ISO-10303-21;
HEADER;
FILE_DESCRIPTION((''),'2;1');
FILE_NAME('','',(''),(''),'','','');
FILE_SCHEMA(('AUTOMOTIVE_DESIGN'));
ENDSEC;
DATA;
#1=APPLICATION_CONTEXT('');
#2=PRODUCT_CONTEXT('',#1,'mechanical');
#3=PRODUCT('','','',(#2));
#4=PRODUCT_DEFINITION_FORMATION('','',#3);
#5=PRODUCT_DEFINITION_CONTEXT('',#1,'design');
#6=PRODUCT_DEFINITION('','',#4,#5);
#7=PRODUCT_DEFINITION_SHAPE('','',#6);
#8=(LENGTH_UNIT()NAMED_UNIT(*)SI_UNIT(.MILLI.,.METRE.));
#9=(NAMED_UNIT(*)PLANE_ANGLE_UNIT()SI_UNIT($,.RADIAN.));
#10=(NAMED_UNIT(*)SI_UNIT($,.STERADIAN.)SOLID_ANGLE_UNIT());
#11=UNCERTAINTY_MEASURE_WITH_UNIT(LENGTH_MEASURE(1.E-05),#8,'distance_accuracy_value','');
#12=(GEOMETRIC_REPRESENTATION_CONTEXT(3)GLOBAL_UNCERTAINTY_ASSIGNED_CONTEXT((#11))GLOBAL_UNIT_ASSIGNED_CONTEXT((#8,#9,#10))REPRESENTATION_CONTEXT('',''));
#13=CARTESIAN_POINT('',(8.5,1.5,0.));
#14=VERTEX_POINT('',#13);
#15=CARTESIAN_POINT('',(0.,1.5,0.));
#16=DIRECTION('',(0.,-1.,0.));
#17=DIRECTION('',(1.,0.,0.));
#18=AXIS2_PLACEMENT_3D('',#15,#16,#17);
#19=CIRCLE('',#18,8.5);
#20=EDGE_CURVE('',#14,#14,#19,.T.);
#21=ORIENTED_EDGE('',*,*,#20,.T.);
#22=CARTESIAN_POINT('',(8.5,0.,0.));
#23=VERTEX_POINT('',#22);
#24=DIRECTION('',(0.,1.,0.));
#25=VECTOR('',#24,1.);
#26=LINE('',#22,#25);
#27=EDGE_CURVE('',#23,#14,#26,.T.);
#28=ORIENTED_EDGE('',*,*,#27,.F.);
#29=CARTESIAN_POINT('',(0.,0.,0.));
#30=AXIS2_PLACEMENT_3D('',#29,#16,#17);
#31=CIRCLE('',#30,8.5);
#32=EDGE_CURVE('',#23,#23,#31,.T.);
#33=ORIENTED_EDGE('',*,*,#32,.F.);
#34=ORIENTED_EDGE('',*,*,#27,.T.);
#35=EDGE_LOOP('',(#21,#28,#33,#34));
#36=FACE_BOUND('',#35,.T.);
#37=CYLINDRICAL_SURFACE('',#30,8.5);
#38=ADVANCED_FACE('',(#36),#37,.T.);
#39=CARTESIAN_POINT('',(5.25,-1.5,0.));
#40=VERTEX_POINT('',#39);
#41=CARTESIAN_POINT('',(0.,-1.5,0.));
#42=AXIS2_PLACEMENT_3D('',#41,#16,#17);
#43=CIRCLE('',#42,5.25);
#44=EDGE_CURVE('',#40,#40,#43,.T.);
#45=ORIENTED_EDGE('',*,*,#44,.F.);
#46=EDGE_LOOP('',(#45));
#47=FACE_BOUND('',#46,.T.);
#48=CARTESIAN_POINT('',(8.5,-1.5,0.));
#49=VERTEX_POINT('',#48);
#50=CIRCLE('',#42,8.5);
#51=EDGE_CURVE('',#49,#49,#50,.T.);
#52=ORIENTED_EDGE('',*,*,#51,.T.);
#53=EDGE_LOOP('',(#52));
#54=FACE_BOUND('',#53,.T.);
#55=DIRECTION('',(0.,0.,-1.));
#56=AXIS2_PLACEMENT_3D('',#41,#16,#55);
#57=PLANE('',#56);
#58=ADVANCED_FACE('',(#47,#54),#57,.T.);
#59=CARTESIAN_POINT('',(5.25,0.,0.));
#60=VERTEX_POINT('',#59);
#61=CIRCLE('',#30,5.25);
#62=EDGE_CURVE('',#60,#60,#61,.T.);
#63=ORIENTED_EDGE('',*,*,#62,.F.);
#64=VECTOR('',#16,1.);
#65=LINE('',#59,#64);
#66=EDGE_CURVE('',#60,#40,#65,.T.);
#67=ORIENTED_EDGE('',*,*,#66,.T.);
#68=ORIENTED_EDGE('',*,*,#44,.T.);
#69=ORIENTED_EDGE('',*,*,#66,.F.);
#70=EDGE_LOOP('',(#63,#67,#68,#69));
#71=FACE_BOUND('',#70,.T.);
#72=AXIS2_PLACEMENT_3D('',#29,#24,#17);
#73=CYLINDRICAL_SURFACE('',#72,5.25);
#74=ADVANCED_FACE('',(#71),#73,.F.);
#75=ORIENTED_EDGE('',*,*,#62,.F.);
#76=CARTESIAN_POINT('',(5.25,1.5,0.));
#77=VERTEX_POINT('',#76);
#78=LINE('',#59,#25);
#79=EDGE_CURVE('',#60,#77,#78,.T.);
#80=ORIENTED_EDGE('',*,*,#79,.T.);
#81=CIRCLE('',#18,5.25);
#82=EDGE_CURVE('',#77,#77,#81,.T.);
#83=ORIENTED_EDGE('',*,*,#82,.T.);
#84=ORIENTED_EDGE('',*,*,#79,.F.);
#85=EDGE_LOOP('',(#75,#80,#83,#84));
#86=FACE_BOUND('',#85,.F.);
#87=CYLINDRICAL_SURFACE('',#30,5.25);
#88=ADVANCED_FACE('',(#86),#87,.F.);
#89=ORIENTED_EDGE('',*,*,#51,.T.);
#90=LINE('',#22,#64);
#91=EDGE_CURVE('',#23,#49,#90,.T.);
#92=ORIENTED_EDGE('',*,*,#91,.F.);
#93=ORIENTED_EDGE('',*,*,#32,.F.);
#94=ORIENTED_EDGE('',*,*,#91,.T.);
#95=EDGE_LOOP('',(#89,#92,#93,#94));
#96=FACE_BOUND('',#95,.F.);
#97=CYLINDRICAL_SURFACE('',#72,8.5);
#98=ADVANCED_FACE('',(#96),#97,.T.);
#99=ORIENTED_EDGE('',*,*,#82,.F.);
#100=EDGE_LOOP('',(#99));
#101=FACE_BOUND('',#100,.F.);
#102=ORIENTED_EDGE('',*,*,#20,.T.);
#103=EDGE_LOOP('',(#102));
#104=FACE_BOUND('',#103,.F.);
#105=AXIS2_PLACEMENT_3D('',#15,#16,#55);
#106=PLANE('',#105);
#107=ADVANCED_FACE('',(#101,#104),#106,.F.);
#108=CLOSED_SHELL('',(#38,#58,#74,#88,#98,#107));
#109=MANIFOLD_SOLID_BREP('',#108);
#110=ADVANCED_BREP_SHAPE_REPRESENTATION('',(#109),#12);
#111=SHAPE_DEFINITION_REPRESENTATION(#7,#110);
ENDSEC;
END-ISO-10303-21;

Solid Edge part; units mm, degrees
sketch "Sketch1" plane through (0, 0, 0) normal (0, -1, 0) x (1, 0, 0)
  circle A0 centre (0, 0) radius 5.25
  circle A1 centre (0, 0) radius 8.5
extrude "Protrusion1" add sketch "Sketch1" along normal mid plane 3
